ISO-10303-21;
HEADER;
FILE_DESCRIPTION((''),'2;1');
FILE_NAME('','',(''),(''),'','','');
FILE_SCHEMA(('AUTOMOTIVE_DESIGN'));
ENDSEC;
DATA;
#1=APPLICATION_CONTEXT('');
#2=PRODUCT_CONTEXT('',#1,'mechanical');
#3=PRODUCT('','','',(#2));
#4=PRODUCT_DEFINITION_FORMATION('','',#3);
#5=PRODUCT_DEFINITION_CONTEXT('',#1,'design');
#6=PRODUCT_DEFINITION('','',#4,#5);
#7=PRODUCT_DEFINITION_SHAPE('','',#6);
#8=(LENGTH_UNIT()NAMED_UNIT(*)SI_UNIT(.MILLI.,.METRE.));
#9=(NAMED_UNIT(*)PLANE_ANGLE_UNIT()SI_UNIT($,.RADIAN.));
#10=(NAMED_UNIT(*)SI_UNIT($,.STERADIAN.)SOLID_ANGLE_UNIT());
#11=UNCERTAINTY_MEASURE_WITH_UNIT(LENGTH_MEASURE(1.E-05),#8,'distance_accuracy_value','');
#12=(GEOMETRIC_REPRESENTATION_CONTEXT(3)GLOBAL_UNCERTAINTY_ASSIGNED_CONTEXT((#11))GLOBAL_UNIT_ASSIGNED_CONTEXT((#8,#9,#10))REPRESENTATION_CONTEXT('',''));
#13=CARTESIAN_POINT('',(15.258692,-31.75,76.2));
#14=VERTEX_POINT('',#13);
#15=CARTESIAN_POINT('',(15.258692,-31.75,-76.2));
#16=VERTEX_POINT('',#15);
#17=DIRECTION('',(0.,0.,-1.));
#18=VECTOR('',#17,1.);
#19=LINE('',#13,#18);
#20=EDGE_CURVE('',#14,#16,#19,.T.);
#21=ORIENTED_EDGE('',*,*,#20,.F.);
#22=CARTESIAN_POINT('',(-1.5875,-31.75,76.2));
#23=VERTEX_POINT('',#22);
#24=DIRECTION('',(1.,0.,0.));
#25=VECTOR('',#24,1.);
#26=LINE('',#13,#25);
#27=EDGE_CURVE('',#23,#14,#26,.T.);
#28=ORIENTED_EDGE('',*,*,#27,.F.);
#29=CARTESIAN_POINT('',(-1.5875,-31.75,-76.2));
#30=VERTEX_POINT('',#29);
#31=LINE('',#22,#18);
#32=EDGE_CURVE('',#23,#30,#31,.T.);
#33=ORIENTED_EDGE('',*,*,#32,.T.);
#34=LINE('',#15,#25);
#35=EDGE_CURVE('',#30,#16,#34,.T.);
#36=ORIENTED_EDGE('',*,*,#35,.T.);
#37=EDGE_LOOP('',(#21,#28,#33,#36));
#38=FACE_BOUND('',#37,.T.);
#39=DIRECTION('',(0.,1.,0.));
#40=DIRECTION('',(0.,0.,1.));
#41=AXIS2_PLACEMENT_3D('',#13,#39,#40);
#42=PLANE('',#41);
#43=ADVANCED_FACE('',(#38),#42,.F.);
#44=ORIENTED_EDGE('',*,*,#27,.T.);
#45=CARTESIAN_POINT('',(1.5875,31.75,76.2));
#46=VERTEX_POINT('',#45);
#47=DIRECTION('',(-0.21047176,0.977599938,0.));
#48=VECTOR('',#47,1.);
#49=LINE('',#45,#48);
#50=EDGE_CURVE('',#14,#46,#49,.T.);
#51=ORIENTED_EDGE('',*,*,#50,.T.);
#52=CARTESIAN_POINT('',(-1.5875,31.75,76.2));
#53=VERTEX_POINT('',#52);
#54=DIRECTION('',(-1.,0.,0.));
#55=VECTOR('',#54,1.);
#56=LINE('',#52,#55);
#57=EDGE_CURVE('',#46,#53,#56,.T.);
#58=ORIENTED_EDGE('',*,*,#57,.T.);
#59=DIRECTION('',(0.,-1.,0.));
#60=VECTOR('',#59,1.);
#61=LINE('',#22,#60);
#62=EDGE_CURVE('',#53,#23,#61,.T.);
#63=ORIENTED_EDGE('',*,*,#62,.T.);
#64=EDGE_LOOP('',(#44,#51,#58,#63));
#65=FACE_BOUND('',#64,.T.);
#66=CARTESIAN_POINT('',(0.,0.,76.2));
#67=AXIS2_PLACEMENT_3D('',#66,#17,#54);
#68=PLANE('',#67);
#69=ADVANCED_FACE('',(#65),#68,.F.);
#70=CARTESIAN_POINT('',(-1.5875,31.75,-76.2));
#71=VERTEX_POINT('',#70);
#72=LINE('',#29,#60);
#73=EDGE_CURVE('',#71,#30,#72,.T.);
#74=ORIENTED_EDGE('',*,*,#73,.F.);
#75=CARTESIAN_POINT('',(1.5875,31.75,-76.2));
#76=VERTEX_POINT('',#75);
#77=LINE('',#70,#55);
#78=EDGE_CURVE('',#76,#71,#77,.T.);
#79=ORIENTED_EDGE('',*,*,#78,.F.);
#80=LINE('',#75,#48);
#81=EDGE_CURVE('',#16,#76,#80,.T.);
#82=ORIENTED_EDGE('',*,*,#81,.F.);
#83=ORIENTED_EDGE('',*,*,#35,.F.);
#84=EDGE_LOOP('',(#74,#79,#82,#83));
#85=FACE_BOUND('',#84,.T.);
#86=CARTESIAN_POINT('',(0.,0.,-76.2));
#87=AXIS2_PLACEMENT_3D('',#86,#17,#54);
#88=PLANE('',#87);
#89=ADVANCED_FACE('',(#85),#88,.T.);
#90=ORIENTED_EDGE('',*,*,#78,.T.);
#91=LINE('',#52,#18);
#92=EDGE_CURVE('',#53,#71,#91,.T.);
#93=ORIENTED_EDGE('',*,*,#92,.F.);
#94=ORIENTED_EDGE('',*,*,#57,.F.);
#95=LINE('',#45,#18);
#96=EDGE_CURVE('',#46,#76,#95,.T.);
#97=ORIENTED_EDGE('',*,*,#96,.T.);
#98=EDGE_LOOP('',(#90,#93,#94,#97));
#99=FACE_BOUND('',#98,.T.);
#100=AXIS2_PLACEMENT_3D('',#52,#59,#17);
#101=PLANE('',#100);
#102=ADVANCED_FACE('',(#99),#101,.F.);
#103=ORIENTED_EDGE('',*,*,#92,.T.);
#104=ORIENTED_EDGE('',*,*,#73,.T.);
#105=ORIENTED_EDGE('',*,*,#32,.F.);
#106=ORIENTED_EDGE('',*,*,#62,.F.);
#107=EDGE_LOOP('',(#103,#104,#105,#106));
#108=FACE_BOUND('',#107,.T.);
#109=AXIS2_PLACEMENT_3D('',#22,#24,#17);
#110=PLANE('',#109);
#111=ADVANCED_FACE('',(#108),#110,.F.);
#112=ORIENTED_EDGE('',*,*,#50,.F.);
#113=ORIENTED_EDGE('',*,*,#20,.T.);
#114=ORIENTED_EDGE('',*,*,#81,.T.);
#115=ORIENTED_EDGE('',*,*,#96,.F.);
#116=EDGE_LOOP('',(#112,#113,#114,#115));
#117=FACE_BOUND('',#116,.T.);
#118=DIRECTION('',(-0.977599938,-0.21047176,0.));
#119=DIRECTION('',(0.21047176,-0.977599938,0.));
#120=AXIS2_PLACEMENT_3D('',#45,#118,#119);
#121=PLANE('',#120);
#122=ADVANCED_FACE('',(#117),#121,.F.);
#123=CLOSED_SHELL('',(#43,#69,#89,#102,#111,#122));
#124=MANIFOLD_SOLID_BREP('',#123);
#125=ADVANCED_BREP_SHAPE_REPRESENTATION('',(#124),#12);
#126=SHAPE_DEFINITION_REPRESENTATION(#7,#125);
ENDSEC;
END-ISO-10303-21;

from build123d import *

# Parameters (mm, degrees)
BOSS_EXTRUDE1_DEPTH = 76.2


with BuildPart() as part:
    # Sketch1 → Boss-Extrude1 (new, symmetric)
    with BuildSketch(Plane.XY):
        Polygon((-1.5875, 31.75), (1.5875, 31.75), (15.258692307, -31.75), (-1.5875, -31.75), align=None)
    extrude(amount=BOSS_EXTRUDE1_DEPTH, both=True)


solid = part.part
